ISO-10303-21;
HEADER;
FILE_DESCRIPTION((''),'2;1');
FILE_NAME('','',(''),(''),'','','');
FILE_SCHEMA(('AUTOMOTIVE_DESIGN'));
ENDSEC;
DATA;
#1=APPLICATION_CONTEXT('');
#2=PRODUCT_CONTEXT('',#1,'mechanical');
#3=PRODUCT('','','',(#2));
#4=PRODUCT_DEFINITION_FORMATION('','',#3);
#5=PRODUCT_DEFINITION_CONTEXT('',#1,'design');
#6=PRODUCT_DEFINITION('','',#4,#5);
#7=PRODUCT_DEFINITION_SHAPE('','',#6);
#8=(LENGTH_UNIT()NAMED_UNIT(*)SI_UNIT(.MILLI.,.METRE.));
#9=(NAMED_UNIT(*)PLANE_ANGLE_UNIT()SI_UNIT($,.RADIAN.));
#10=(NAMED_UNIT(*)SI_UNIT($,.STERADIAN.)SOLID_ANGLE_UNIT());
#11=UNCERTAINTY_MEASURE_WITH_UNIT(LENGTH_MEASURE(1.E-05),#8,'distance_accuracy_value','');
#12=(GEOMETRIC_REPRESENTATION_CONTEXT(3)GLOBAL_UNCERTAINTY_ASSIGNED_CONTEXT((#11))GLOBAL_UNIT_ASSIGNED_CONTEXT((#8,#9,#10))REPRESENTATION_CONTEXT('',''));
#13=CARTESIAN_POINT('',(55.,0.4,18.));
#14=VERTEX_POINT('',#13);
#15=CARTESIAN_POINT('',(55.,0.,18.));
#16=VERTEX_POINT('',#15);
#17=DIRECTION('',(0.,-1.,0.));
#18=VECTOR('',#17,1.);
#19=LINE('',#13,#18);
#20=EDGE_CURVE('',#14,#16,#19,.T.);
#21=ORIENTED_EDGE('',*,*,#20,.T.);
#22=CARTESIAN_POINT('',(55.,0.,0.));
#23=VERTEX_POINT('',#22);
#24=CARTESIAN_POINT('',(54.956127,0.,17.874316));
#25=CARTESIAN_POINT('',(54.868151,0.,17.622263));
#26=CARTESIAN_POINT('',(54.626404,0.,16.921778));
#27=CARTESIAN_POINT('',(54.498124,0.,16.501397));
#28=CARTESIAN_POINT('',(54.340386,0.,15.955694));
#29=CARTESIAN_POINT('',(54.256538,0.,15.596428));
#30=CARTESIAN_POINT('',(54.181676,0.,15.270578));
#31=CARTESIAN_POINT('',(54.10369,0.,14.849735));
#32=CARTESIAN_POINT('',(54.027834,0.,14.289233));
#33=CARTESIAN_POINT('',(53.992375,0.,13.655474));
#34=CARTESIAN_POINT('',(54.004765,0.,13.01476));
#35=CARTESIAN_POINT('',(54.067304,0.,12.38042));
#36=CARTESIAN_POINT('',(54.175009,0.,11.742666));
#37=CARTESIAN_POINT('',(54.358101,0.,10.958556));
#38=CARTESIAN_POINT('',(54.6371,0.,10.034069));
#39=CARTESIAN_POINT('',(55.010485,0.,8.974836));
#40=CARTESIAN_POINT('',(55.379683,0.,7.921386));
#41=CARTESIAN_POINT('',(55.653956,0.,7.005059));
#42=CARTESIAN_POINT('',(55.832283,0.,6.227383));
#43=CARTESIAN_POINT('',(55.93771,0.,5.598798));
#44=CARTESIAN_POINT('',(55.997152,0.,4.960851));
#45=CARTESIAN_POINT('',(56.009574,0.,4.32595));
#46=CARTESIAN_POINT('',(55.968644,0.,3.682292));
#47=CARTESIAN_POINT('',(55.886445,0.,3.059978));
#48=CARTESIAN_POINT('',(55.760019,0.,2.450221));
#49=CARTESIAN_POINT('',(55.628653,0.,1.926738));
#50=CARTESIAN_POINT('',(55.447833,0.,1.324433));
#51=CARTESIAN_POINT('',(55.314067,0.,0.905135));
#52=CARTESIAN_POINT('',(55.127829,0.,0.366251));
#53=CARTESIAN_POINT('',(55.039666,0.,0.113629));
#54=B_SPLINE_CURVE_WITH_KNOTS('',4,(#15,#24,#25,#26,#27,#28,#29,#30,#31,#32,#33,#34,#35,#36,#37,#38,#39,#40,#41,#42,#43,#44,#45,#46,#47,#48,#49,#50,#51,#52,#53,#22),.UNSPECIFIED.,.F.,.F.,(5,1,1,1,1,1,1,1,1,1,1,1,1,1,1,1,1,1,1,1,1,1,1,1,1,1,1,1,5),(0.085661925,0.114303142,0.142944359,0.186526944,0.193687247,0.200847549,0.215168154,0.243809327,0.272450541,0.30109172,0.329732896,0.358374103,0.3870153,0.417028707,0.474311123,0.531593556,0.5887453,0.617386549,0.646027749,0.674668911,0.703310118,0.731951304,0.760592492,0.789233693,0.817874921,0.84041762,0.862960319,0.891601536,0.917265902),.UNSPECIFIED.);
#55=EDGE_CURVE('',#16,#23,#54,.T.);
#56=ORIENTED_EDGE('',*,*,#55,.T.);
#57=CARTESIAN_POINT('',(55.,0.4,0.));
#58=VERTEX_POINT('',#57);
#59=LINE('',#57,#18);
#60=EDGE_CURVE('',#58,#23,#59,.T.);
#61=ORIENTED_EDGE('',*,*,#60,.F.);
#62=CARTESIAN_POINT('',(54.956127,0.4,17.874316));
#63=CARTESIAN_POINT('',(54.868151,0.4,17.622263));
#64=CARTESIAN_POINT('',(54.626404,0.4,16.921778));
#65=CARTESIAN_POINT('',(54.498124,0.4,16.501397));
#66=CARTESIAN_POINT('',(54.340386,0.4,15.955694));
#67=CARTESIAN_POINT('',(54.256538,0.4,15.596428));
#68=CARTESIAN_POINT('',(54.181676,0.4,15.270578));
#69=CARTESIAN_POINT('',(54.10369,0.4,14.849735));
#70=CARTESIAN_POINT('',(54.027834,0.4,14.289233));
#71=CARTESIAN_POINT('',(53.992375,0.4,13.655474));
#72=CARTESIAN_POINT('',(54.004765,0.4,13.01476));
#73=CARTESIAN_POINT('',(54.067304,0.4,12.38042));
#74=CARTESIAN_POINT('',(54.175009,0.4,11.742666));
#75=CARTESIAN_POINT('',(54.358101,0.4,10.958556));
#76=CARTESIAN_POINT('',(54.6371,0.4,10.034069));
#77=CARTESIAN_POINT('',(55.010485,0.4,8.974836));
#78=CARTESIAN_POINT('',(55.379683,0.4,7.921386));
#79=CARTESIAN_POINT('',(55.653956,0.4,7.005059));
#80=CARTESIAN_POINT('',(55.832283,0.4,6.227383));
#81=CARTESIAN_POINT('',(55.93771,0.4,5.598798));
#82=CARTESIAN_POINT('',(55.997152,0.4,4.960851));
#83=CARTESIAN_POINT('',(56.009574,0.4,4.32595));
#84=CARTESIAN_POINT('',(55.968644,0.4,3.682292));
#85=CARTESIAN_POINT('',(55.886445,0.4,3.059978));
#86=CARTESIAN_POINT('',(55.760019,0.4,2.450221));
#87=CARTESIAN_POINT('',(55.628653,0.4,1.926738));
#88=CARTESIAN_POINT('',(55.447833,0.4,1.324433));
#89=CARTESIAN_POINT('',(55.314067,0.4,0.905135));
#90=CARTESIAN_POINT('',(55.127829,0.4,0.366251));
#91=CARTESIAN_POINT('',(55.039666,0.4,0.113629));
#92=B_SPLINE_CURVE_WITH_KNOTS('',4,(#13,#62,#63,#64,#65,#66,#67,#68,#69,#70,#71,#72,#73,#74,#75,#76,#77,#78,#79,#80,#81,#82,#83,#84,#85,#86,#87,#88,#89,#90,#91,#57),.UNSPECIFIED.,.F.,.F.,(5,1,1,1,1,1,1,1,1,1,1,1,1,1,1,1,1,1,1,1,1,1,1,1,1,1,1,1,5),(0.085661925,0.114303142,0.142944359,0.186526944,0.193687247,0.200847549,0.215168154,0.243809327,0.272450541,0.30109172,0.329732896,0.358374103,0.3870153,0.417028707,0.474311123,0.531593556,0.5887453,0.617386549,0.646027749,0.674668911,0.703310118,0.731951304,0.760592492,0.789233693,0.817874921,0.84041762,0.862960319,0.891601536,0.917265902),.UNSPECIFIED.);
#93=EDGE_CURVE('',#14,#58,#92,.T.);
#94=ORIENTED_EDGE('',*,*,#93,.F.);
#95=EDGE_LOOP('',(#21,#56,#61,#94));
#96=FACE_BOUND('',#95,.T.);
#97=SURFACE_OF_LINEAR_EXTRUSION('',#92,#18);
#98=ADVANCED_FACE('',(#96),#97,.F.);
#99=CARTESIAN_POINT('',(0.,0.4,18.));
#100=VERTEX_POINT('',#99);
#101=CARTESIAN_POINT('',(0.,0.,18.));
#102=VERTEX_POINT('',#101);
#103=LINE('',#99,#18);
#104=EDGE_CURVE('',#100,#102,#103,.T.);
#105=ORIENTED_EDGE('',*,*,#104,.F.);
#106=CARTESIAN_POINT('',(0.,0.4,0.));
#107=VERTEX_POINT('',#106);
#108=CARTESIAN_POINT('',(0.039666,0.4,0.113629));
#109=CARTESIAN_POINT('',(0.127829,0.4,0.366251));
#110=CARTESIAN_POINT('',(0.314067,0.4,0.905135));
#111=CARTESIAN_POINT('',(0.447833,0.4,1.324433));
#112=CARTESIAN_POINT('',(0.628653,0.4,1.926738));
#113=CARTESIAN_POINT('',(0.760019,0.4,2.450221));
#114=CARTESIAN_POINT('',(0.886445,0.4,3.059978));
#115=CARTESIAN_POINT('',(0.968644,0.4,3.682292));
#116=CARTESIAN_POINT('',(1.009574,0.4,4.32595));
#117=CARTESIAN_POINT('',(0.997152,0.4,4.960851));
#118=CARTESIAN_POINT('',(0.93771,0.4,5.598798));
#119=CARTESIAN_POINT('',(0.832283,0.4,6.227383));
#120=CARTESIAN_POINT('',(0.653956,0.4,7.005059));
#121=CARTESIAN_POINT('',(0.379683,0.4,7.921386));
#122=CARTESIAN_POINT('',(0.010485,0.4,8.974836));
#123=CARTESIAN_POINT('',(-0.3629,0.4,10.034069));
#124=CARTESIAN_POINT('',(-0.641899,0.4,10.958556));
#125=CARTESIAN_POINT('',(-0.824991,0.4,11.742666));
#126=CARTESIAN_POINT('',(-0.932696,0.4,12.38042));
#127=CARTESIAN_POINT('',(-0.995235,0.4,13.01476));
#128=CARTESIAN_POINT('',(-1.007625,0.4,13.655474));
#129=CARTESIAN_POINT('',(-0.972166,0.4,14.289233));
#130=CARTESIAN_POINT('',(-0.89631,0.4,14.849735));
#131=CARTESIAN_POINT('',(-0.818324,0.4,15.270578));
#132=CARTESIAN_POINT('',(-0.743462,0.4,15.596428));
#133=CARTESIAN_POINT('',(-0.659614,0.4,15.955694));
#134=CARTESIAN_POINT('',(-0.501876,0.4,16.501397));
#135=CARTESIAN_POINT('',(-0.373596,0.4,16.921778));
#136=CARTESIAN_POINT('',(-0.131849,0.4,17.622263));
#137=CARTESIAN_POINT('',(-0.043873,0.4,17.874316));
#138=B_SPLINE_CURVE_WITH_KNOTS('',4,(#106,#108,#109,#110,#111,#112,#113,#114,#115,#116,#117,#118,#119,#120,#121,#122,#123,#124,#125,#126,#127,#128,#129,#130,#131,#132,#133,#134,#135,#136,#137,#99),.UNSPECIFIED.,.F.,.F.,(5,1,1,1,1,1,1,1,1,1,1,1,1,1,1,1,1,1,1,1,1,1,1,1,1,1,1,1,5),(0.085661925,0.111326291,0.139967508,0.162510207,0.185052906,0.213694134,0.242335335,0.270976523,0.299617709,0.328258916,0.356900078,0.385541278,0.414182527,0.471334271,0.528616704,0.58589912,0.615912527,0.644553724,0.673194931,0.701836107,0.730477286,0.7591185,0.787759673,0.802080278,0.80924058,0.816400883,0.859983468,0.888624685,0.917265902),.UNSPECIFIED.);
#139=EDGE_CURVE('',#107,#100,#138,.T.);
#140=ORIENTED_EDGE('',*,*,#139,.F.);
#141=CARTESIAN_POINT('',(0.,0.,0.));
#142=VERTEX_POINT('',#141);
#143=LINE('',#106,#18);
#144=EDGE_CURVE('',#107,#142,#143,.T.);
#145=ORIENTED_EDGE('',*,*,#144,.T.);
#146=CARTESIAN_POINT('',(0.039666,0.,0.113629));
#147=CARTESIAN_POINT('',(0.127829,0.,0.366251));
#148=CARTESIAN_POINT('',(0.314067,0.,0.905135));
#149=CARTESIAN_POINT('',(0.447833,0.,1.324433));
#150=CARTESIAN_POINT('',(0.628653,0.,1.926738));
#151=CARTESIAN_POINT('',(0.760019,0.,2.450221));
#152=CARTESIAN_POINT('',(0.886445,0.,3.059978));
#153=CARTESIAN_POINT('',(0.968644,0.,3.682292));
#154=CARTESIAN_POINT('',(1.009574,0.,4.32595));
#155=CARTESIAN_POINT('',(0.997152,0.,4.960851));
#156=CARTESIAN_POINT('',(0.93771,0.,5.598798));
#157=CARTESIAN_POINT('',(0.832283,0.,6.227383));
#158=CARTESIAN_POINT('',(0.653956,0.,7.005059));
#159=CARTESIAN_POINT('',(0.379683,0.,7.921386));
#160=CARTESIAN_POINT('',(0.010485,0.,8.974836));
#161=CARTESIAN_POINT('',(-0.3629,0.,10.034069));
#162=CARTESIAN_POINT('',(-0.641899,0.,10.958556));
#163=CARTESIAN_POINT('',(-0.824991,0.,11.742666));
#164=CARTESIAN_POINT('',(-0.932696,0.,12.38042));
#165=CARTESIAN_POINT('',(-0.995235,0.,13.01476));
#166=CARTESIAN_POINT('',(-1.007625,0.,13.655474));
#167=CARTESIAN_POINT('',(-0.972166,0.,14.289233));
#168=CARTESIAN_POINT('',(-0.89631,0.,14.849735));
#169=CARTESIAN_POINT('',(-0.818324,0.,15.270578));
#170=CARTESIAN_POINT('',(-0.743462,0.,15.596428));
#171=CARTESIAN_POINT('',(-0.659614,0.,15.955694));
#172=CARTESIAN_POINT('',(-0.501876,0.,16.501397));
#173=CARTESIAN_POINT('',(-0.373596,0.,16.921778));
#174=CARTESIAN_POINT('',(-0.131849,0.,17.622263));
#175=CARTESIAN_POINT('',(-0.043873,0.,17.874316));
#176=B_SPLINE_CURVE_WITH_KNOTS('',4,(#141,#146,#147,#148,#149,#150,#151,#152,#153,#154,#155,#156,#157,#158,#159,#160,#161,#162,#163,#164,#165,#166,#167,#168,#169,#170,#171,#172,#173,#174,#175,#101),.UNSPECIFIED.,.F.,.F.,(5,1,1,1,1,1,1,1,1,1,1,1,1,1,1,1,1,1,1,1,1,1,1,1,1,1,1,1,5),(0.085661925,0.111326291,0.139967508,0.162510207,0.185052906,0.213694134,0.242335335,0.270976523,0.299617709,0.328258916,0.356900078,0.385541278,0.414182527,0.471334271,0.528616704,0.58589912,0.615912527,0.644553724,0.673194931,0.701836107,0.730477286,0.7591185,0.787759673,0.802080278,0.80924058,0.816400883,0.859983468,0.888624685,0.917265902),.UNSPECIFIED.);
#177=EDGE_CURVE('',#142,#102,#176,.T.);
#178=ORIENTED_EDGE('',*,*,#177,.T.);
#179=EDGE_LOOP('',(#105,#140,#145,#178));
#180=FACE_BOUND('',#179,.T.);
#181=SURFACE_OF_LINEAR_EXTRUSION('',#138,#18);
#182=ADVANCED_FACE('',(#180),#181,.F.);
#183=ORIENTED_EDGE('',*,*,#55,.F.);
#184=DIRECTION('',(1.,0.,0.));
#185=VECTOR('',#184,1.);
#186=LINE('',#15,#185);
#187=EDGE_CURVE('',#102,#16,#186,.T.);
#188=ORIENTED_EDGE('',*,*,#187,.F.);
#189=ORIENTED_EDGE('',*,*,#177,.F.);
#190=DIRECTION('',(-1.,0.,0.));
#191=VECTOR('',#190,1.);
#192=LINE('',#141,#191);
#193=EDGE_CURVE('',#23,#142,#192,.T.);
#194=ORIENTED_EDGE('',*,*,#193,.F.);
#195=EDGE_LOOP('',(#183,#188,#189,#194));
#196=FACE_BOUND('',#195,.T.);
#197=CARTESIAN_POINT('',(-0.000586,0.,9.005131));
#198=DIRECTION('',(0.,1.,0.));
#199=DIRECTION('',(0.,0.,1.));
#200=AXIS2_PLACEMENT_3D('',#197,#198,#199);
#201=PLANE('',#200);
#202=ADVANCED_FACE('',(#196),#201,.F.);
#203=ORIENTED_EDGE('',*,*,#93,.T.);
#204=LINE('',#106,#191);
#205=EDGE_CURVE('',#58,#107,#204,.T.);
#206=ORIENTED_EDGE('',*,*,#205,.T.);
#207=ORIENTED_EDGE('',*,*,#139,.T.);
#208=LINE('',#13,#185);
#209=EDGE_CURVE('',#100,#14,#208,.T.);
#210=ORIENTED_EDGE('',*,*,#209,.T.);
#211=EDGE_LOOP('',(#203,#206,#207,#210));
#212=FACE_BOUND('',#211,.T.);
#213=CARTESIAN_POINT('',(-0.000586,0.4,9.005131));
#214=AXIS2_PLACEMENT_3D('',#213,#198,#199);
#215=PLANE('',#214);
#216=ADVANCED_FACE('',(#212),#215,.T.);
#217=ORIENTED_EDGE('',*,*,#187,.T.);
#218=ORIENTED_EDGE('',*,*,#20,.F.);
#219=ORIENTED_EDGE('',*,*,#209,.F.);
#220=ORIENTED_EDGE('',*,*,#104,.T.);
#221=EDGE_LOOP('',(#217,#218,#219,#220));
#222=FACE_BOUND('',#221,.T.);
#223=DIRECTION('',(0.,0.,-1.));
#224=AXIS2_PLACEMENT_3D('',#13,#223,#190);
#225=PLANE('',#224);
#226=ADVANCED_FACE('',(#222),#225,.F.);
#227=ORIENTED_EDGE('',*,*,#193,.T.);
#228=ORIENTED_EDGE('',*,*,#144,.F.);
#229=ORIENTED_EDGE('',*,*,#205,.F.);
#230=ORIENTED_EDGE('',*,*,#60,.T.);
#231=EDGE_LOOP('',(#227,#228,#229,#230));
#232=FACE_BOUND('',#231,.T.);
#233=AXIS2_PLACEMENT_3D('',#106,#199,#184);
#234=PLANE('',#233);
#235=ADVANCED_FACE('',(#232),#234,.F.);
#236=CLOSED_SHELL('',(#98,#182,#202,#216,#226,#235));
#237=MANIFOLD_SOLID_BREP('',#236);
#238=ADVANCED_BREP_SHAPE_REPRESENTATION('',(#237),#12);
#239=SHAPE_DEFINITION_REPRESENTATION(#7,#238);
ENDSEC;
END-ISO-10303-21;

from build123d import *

# Parameters (mm, degrees)
BOSS_EXTRUDE1_DEPTH = 0.4


with BuildPart() as part:
    # Sketch1 → Boss-Extrude1 (new body)
    with BuildSketch(Plane(origin=(0, 0, 0), x_dir=(1, 0, 0), z_dir=(0, 1, 0))):
        with BuildLine():
            Line((0, 0), (55, 0))
            add(Edge.make_bspline(
                [(55, 0), (55.039665895, -0.11362906), (55.127828783, -0.366251213), (55.314067233, -0.905134946), (55.447833384, -1.324433303), (55.628652948, -1.92673847), (55.760019444, -2.450220955), (55.886445316, -3.059977501), (55.96864422, -3.682291541), (56.009573569, -4.325950267), (55.997152388, -4.960850874), (55.937709737, -5.59879764), (55.832282967, -6.227382827), (55.653956328, -7.005059201), (55.379683242, -7.921385768), (55.010484997, -8.974835885), (54.637099515, -10.03406897), (54.358100832, -10.958556195), (54.17500872, -11.74266605), (54.067304208, -12.380419561), (54.004765193, -13.014760212), (53.992375448, -13.655474375), (54.027833685, -14.28923275), (54.103689584, -14.849735384), (54.181675783, -15.270577843), (54.256538187, -15.59642759), (54.340386039, -15.95569417), (54.49812362, -16.501397065), (54.626404098, -16.921778114), (54.868150927, -17.622263401), (54.95612701, -17.874315955), (55, -18)],
                knots=[0.085661925, 0.085661925, 0.085661925, 0.085661925, 0.085661925, 0.111326291, 0.139967508, 0.162510207, 0.185052906, 0.213694134, 0.242335335, 0.270976523, 0.299617709, 0.328258916, 0.356900078, 0.385541278, 0.414182527, 0.471334271, 0.528616704, 0.58589912, 0.615912527, 0.644553724, 0.673194931, 0.701836107, 0.730477286, 0.7591185, 0.787759673, 0.802080278, 0.80924058, 0.816400883, 0.859983468, 0.888624685, 0.917265902, 0.917265902, 0.917265902, 0.917265902, 0.917265902], degree=4))
            Line((55, -18), (0, -18))
            add(Edge.make_bspline(
                [(0, 0), (0.039665895, -0.11362906), (0.127828783, -0.366251213), (0.314067233, -0.905134946), (0.447833384, -1.324433303), (0.628652948, -1.92673847), (0.760019444, -2.450220955), (0.886445316, -3.059977501), (0.96864422, -3.682291541), (1.009573569, -4.325950267), (0.997152388, -4.960850874), (0.937709737, -5.59879764), (0.832282967, -6.227382827), (0.653956328, -7.005059201), (0.379683242, -7.921385768), (0.010484997, -8.974835885), (-0.362900485, -10.03406897), (-0.641899168, -10.958556195), (-0.82499128, -11.74266605), (-0.932695792, -12.380419561), (-0.995234806, -13.014760212), (-1.007624552, -13.655474376), (-0.972166315, -14.28923275), (-0.896310416, -14.849735384), (-0.818324217, -15.270577843), (-0.743461813, -15.59642759), (-0.659613961, -15.95569417), (-0.50187638, -16.501397065), (-0.373595902, -16.921778114), (-0.131849073, -17.622263401), (-0.04387299, -17.874315955), (0, -18)],
                knots=[0.085661925, 0.085661925, 0.085661925, 0.085661925, 0.085661925, 0.111326291, 0.139967508, 0.162510207, 0.185052906, 0.213694134, 0.242335335, 0.270976523, 0.299617709, 0.328258916, 0.356900078, 0.385541278, 0.414182527, 0.471334271, 0.528616704, 0.58589912, 0.615912527, 0.644553724, 0.673194931, 0.701836107, 0.730477286, 0.7591185, 0.787759673, 0.802080278, 0.80924058, 0.816400883, 0.859983468, 0.888624685, 0.917265902, 0.917265902, 0.917265902, 0.917265902, 0.917265902], degree=4))
        make_face()
    extrude(amount=BOSS_EXTRUDE1_DEPTH)


solid = part.part
